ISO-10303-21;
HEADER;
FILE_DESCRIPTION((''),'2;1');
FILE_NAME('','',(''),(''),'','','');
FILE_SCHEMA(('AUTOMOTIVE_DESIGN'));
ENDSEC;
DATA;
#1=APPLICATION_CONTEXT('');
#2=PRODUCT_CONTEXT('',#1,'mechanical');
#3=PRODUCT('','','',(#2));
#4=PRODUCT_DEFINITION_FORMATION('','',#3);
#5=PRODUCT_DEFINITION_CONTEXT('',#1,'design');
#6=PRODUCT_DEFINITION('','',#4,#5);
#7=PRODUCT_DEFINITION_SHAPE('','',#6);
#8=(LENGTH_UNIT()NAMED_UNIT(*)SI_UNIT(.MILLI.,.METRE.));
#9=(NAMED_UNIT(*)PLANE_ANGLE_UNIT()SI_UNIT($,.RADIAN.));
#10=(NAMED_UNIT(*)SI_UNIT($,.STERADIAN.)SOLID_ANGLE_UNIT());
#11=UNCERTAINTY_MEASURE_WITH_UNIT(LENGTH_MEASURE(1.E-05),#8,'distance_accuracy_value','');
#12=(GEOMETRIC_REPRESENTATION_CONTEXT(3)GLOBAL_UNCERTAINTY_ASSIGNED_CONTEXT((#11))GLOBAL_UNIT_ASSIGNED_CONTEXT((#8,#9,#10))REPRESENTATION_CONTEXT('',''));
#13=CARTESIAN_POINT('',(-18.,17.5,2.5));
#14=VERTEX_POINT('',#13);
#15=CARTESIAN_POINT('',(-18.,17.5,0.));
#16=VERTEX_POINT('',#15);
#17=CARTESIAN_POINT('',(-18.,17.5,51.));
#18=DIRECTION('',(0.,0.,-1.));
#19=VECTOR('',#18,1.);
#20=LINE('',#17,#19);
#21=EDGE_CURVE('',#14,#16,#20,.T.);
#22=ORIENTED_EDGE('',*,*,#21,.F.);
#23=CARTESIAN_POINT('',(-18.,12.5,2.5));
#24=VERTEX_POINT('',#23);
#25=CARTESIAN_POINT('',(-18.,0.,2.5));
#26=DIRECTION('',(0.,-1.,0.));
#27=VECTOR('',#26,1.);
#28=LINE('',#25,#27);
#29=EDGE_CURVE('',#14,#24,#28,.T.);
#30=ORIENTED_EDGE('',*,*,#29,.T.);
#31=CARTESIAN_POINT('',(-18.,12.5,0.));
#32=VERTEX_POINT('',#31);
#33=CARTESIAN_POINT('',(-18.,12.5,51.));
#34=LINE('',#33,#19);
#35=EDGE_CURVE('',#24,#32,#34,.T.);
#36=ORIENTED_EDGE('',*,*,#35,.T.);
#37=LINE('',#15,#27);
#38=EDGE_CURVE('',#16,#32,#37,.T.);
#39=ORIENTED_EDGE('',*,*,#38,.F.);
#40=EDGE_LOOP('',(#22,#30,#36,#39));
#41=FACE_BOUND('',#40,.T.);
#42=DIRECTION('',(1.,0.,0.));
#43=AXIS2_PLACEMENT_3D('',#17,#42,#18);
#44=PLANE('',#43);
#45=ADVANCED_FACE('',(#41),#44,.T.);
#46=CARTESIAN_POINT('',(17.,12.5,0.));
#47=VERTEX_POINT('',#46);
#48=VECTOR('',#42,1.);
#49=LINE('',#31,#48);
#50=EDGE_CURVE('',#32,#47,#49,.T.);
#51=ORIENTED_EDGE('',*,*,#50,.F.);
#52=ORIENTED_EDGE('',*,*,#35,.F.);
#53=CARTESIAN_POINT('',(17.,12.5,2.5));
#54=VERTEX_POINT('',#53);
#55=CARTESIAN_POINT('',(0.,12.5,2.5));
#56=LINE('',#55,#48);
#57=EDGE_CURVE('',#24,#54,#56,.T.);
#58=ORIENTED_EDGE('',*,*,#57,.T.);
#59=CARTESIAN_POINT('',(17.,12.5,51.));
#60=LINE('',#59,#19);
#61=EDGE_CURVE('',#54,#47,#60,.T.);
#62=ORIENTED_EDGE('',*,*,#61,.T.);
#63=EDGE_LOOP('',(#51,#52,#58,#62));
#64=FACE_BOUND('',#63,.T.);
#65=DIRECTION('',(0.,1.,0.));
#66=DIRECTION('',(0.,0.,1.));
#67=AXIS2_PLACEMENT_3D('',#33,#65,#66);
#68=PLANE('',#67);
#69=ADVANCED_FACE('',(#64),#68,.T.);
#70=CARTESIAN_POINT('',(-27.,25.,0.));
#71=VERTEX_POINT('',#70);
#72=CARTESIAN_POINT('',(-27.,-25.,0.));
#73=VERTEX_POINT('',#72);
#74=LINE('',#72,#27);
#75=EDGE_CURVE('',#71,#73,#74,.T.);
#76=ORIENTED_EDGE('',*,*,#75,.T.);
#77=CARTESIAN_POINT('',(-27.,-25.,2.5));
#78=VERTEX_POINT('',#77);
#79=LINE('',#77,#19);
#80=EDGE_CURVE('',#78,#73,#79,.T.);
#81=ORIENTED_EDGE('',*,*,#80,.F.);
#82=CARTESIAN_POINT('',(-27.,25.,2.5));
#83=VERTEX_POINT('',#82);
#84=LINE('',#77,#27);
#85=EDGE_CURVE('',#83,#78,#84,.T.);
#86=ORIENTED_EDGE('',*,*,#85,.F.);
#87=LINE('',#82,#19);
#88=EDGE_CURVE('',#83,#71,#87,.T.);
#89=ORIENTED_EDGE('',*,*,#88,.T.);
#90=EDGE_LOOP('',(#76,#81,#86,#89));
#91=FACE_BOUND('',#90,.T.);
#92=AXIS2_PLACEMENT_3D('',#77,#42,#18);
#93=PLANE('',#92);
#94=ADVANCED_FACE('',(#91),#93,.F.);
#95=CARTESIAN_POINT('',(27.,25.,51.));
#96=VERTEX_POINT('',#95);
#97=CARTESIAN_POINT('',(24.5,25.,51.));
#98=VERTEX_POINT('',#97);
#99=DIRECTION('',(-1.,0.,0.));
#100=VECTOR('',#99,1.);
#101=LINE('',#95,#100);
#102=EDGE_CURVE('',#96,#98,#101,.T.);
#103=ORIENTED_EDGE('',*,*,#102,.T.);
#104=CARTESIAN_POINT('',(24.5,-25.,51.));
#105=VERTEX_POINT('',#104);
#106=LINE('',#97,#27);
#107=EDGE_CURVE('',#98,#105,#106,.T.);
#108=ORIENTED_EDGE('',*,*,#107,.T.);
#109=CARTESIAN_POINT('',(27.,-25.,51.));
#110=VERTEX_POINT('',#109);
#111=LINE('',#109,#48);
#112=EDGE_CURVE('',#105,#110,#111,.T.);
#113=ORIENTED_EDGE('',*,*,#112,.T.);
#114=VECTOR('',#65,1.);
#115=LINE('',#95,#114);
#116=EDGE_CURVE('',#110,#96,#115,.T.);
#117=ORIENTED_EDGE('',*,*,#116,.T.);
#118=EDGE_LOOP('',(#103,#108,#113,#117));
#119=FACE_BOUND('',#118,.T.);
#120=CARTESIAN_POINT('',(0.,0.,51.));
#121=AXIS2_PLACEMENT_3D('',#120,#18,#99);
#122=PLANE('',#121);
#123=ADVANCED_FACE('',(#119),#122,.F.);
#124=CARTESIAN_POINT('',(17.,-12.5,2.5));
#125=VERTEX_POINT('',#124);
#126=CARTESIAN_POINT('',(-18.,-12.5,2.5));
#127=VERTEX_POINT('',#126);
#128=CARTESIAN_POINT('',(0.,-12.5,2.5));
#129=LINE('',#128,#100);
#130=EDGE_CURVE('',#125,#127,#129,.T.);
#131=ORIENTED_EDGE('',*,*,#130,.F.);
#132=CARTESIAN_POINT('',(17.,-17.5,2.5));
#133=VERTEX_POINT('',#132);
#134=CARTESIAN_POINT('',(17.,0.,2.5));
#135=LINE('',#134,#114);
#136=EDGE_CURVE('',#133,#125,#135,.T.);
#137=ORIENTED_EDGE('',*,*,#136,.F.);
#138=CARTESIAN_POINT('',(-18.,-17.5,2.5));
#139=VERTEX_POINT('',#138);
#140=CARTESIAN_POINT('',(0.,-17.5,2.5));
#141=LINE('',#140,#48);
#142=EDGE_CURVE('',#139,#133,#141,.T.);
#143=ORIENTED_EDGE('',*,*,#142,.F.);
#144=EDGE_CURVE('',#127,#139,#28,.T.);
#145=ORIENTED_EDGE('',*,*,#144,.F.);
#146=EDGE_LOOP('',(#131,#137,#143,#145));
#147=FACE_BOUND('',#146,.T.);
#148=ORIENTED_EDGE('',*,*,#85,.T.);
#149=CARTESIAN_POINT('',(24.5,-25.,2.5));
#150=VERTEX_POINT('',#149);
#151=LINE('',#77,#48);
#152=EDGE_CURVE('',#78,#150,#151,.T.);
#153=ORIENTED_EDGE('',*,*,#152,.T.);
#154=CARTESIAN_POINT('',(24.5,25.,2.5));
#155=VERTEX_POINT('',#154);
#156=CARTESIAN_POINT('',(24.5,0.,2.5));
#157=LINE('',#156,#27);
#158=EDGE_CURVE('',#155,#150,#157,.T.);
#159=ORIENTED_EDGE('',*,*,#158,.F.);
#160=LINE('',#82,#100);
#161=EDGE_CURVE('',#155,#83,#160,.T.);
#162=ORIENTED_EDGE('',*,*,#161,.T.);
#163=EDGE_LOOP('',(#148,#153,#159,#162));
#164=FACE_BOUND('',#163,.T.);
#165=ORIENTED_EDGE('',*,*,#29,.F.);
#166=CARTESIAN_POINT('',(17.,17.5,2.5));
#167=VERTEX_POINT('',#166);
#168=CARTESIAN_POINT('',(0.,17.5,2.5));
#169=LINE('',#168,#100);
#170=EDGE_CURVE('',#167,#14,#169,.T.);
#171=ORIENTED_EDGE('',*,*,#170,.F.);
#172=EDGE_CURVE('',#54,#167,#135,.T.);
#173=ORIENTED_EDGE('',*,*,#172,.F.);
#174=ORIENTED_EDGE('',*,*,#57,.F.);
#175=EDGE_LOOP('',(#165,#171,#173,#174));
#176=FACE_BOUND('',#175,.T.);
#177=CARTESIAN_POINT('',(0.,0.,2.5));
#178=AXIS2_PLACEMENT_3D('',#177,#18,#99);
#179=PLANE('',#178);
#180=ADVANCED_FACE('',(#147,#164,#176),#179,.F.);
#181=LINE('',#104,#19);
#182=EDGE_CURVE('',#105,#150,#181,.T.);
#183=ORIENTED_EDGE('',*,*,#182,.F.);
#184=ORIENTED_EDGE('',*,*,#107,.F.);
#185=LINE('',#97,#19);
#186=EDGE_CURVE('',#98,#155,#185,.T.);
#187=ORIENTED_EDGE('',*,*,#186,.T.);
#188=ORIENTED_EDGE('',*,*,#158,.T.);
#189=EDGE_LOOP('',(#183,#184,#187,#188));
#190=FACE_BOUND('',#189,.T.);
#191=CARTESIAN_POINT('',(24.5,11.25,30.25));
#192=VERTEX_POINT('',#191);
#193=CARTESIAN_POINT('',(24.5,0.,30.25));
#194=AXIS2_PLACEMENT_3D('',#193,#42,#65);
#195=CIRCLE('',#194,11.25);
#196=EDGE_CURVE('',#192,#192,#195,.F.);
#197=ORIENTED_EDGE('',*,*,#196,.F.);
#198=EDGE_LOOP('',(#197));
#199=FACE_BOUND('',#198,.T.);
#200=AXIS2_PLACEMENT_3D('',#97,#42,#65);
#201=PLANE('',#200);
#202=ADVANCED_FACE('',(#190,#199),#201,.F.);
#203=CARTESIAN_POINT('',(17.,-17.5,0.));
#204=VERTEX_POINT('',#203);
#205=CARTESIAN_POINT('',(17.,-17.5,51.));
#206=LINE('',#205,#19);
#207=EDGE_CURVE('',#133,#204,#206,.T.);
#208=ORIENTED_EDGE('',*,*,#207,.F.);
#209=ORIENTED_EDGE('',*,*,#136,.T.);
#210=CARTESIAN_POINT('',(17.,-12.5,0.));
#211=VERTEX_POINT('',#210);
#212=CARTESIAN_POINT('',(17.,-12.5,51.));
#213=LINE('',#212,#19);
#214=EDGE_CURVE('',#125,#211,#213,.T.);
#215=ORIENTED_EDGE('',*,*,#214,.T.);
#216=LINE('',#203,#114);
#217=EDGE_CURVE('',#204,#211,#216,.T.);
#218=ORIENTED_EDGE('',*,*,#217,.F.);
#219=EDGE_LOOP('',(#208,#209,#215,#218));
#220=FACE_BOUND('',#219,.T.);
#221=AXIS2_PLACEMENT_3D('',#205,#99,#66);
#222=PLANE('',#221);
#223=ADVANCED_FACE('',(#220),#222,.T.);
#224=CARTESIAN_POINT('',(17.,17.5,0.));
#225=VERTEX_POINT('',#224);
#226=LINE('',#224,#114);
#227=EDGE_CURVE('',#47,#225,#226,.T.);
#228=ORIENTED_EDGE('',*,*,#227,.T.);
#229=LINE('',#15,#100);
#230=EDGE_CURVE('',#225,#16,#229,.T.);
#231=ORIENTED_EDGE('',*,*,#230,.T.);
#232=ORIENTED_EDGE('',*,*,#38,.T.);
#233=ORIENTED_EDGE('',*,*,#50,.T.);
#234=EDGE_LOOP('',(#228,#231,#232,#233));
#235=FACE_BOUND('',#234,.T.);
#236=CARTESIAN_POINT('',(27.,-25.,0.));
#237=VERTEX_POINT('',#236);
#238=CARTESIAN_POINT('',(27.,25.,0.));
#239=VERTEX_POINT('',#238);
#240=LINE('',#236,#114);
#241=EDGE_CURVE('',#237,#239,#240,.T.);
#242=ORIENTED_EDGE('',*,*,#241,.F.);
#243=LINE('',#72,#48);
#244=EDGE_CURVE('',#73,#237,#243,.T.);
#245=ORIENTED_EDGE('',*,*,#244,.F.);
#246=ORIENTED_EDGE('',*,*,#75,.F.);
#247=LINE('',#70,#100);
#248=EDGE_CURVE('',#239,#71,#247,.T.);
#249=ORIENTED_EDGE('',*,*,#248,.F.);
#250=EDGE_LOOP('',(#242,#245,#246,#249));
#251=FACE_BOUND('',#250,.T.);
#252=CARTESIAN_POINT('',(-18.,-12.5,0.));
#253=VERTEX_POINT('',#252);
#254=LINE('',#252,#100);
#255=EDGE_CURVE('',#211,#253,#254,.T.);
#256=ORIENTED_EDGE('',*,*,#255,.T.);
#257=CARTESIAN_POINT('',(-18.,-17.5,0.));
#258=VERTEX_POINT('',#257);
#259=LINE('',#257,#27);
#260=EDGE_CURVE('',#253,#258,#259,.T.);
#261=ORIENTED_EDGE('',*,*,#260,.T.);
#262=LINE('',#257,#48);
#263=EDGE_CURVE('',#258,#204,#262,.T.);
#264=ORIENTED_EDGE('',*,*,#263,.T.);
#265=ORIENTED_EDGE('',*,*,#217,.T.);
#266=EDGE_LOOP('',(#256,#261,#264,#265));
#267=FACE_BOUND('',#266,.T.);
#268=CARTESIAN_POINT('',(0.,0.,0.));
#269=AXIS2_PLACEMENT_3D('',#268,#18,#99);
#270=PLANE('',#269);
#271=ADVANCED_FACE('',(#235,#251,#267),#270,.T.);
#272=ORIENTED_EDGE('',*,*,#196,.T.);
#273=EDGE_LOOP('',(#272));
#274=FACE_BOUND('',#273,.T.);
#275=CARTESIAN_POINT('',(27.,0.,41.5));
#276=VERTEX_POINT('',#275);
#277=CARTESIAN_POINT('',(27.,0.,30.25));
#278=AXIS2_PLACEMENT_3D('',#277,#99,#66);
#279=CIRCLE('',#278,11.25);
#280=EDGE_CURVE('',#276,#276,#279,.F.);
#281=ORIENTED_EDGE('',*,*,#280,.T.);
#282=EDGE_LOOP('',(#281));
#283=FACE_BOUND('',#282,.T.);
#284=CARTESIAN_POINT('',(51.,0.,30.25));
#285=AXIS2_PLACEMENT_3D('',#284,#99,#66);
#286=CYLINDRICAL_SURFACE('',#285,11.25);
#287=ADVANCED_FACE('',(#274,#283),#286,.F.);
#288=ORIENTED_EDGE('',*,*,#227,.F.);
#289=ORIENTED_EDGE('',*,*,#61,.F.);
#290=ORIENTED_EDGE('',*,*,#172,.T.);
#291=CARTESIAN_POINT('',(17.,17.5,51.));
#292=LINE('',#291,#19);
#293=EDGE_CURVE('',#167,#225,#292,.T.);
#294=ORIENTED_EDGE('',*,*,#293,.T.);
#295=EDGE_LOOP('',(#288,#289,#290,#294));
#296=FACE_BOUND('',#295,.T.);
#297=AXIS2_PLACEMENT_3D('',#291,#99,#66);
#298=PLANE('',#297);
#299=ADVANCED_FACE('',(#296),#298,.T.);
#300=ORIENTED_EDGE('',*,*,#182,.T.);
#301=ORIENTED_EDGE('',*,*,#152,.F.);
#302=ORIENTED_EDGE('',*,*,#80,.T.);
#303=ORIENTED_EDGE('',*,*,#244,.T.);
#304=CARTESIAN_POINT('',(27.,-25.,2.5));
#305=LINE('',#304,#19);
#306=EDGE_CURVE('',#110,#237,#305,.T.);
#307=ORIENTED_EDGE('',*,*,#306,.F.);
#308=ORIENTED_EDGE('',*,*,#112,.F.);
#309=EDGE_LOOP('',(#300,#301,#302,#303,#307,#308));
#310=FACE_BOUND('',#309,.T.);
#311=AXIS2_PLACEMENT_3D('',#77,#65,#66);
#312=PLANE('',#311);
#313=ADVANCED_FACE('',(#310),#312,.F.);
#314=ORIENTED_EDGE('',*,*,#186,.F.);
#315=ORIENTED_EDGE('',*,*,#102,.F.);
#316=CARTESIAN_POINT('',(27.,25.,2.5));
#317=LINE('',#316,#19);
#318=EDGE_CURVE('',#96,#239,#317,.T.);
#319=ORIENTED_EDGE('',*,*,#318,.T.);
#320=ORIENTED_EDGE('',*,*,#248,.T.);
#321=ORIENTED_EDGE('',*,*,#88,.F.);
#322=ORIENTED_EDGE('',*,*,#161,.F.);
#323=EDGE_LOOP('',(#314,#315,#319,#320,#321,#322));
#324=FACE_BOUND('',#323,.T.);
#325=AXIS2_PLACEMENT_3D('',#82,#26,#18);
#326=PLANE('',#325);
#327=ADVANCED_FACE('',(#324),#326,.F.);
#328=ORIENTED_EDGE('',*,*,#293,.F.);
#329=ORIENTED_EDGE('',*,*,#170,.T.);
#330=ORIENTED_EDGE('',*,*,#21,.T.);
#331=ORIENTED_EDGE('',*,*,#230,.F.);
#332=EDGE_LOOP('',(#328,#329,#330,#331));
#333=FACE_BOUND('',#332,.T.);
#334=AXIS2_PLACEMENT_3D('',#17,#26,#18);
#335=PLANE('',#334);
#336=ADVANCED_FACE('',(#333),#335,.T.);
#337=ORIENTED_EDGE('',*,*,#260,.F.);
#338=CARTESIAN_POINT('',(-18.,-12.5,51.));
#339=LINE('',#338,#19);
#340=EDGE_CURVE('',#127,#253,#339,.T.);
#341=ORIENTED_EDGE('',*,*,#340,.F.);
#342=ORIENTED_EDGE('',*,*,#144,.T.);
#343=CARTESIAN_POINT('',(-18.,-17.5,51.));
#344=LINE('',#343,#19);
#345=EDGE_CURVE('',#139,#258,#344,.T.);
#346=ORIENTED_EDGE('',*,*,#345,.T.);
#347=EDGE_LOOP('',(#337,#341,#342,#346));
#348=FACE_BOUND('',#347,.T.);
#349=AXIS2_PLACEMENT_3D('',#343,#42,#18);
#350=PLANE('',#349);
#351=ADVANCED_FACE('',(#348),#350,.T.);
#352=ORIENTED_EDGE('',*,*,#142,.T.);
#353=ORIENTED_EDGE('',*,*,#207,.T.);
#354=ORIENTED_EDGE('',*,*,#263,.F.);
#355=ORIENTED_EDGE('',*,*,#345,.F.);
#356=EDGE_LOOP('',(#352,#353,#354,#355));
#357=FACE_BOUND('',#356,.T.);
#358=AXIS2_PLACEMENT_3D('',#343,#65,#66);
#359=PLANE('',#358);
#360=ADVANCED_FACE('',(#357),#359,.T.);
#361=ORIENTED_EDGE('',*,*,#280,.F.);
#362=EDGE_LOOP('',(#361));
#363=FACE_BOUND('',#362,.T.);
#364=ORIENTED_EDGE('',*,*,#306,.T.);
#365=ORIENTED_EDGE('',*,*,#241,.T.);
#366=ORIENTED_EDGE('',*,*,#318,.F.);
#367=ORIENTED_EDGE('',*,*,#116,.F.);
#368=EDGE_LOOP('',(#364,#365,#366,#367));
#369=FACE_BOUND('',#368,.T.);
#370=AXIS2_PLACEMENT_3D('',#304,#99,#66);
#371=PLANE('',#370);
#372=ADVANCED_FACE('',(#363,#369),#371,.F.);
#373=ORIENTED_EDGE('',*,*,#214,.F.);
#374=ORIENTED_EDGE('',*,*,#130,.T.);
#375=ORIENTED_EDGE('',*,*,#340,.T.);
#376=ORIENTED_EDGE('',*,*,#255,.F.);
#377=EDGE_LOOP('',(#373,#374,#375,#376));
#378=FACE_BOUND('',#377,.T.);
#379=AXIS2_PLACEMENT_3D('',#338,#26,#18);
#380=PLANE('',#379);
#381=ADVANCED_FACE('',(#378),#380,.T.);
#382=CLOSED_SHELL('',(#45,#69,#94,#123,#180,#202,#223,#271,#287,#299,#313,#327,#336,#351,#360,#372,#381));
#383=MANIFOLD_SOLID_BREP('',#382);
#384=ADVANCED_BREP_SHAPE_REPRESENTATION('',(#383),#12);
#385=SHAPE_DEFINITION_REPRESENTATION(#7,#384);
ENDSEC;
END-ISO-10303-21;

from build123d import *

# Parameters (mm, degrees)
SKETCH1_W           = 54
SKETCH1_H           = 50
BOSS_EXTRUDE1_DEPTH = 2.5
SKETCH2_W           = 2.5
SKETCH2_H           = 50
BOSS_EXTRUDE2_DEPTH = 51
SKETCH3_R           = 11.25
CUT_EXTRUDE1_DEPTH  = 51
SKETCH4_W           = 35
SKETCH4_H           = 5
CUT_EXTRUDE2_DEPTH  = 51


with BuildPart() as part:
    # Sketch1 → Boss-Extrude1 (new body)
    with BuildSketch(Plane.XY):
        Rectangle(SKETCH1_W, SKETCH1_H)
    extrude(amount=BOSS_EXTRUDE1_DEPTH)

    # Sketch2 → Boss-Extrude2 (add)
    with BuildSketch(Plane.XY):
        with Locations((25.75, 0)):
            Rectangle(SKETCH2_W, SKETCH2_H)
    extrude(amount=BOSS_EXTRUDE2_DEPTH)

    # Sketch3 → Cut-Extrude1 (cut)
    with BuildSketch(Plane(origin=(0, 0, 0), x_dir=(0, 0, -1), z_dir=(1, 0, 0))):
        with Locations(Location((-30.25, 0, 0), (0, 0, 180))):
            Circle(SKETCH3_R)
    extrude(amount=CUT_EXTRUDE1_DEPTH, mode=Mode.SUBTRACT)

    # Sketch4 → Cut-Extrude2 (cut)
    with BuildSketch(Plane.XY):
        with Locations((-0.5, 15)):
            Rectangle(SKETCH4_W, SKETCH4_H)
        with Locations((-0.5, -15)):
            Rectangle(SKETCH4_W, SKETCH4_H)
    extrude(amount=CUT_EXTRUDE2_DEPTH, mode=Mode.SUBTRACT)


solid = part.part
